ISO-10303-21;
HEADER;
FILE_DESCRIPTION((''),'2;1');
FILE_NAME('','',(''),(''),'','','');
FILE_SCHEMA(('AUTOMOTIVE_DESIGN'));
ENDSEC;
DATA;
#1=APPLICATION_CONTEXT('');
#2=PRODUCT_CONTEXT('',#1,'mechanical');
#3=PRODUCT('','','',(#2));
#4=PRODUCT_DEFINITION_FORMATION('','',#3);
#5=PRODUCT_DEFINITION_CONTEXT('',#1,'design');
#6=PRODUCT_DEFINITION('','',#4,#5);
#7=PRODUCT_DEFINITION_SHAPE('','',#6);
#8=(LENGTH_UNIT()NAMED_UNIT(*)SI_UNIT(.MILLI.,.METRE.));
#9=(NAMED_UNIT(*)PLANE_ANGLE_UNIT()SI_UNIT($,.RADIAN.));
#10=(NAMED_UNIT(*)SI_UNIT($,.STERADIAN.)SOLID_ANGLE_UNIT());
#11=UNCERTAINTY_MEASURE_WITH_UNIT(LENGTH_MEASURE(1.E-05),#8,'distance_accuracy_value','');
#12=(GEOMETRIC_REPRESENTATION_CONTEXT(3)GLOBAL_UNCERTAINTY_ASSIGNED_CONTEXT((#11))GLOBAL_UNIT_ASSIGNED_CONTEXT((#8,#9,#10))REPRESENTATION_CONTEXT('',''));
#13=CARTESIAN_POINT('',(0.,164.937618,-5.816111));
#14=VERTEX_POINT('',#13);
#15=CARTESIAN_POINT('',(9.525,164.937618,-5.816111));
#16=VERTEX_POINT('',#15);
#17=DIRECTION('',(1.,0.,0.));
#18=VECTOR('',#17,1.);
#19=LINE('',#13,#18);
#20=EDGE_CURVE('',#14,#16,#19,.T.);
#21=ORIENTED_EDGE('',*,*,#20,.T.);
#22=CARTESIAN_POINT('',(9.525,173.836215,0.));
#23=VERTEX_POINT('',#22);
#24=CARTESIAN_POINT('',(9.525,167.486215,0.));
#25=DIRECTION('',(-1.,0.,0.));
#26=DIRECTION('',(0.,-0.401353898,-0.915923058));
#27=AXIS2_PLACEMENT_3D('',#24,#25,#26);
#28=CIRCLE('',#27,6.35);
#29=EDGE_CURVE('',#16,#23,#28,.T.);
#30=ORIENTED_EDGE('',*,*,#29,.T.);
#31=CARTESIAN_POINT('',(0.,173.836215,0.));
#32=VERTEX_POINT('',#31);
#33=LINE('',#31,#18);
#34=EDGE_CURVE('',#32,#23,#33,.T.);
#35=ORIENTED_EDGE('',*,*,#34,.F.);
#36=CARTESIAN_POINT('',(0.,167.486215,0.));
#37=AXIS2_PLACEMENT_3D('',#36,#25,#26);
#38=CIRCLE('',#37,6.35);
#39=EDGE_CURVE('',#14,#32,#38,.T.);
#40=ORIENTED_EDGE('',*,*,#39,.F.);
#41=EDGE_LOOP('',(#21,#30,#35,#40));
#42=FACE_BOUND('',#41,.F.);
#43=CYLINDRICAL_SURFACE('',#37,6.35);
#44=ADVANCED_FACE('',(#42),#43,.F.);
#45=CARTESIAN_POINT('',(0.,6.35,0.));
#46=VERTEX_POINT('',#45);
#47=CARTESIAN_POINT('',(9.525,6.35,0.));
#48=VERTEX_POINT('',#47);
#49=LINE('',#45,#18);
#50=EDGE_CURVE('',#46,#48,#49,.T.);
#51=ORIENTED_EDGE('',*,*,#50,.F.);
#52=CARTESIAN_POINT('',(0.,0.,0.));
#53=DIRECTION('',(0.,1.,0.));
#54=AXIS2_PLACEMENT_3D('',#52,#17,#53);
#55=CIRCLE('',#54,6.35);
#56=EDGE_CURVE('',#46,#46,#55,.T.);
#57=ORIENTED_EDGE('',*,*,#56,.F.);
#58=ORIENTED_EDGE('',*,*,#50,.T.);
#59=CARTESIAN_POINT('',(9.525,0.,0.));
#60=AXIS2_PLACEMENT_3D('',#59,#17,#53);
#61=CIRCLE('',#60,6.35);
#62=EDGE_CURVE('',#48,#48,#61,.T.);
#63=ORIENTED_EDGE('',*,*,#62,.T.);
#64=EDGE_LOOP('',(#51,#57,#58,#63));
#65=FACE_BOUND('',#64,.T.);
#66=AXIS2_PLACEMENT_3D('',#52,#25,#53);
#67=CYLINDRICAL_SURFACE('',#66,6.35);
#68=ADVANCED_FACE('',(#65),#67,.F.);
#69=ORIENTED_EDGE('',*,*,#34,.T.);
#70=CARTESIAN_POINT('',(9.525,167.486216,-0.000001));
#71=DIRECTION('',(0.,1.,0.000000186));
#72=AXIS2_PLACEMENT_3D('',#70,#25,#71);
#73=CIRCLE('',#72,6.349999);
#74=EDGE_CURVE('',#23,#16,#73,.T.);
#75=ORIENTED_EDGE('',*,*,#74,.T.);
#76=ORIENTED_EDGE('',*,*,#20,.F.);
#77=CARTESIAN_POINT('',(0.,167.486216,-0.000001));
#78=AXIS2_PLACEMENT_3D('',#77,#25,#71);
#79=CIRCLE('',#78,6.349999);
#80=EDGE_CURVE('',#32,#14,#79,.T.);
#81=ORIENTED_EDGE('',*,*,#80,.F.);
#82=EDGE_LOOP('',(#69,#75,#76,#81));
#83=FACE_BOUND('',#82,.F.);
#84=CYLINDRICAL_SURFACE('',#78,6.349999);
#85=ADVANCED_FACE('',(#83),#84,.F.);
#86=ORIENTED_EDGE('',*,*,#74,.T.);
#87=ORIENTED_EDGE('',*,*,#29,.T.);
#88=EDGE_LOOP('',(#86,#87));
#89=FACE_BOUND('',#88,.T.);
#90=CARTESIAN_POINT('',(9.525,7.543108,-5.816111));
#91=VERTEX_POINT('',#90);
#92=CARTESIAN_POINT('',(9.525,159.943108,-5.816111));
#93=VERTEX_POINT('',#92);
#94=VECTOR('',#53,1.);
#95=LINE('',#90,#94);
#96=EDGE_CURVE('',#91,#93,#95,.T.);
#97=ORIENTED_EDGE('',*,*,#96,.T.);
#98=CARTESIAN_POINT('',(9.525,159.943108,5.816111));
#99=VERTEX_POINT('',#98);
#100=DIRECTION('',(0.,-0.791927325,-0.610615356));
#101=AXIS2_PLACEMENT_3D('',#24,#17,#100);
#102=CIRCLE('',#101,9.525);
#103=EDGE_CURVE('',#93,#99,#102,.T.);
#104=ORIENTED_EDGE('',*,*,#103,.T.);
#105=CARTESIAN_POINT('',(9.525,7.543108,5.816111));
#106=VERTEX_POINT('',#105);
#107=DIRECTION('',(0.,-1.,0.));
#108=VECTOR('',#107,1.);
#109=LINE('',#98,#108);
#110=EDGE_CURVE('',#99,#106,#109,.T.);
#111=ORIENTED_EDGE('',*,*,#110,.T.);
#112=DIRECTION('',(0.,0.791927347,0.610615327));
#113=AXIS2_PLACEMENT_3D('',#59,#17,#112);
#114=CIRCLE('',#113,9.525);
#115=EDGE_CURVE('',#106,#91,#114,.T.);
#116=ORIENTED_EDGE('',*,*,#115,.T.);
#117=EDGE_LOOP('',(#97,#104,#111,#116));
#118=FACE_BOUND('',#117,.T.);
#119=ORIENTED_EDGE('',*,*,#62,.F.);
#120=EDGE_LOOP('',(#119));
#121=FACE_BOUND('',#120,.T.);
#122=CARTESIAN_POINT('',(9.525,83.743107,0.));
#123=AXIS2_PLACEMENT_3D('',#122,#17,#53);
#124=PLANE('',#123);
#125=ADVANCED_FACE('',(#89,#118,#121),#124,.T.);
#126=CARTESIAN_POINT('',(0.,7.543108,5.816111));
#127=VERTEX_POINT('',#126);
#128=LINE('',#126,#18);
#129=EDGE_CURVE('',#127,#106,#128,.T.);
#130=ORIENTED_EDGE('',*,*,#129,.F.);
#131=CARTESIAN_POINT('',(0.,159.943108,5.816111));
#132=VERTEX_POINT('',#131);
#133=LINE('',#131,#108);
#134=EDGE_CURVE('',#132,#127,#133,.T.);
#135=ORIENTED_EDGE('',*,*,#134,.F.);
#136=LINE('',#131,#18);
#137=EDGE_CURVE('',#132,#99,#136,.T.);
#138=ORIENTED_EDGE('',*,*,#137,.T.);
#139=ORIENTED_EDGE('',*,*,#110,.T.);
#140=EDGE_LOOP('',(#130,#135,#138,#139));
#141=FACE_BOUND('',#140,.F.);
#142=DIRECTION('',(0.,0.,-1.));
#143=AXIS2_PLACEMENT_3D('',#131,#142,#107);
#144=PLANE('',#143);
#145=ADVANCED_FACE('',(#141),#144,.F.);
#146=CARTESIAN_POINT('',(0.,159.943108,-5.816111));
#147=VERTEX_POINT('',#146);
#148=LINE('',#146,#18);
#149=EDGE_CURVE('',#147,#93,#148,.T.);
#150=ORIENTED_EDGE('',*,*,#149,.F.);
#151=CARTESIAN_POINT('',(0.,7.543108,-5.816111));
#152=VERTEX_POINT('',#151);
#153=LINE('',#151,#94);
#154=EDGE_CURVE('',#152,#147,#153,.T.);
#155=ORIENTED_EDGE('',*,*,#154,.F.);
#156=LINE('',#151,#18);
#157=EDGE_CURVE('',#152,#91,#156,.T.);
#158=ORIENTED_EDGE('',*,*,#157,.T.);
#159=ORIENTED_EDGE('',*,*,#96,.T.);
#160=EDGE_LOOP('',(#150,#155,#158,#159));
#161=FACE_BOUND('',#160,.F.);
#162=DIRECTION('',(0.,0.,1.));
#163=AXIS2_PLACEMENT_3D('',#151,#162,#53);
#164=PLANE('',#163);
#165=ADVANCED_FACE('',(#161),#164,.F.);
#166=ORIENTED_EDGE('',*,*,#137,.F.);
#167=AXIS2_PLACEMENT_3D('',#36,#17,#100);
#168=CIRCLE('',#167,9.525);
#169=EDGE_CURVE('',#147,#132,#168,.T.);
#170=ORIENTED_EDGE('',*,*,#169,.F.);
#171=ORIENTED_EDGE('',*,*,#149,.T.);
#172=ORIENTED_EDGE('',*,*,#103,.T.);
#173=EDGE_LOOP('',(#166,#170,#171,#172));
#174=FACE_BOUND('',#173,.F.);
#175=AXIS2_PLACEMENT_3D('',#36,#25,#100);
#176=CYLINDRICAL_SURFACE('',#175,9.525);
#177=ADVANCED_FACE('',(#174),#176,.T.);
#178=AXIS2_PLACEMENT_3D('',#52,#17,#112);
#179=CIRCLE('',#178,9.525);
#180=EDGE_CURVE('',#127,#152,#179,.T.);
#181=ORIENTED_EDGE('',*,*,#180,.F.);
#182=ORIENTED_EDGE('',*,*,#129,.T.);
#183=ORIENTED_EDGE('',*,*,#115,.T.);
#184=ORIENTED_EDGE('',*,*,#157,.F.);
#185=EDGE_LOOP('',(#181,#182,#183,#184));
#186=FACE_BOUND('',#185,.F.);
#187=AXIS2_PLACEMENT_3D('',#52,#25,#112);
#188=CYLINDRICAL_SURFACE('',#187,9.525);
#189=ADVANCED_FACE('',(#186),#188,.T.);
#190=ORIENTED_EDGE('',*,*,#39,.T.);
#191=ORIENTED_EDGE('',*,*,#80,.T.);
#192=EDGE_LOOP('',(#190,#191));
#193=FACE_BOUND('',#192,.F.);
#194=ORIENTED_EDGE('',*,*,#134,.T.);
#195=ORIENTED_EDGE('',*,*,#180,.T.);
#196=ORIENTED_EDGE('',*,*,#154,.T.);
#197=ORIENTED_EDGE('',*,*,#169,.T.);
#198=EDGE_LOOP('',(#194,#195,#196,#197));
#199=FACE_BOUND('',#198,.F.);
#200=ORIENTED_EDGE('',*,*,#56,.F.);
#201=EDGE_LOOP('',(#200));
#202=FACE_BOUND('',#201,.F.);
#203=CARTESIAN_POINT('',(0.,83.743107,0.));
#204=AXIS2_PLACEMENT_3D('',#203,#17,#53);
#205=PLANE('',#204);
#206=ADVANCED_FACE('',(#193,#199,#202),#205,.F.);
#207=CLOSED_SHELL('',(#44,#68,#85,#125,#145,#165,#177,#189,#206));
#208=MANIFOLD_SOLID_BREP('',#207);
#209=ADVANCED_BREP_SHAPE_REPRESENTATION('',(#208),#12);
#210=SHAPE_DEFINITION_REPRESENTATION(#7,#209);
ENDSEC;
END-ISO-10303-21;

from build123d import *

# Parameters (mm, degrees)
F0_R     = 6.35
F1_DEPTH = 9.525


with BuildPart() as f1:
    # F0 (on Right) → F1 (new body)
    with BuildSketch(Plane.YZ):
        with BuildLine():
            ThreePointArc((7.543108, 5.816111), (-9.525, 0), (7.543108, -5.816111))
            Line((7.543108, -5.816111), (159.943108, -5.816111))
            ThreePointArc((159.943108, -5.816111), (177.011215, 0), (159.943108, 5.816111))
            Line((159.943108, 5.816111), (150.060477, 5.816111))
            Line((150.060477, 5.816111), (7.543108, 5.816111))
        make_face()
        Circle(F0_R, mode=Mode.SUBTRACT)
        with BuildLine():
            ThreePointArc((164.937618, -5.816111), (164.012104, 5.31536), (173.836215, 0))
            ThreePointArc((173.836215, 0), (170.960327, -5.31536), (164.937618, -5.816111))
        make_face(mode=Mode.SUBTRACT)
    extrude(amount=F1_DEPTH)


solid = f1.part
